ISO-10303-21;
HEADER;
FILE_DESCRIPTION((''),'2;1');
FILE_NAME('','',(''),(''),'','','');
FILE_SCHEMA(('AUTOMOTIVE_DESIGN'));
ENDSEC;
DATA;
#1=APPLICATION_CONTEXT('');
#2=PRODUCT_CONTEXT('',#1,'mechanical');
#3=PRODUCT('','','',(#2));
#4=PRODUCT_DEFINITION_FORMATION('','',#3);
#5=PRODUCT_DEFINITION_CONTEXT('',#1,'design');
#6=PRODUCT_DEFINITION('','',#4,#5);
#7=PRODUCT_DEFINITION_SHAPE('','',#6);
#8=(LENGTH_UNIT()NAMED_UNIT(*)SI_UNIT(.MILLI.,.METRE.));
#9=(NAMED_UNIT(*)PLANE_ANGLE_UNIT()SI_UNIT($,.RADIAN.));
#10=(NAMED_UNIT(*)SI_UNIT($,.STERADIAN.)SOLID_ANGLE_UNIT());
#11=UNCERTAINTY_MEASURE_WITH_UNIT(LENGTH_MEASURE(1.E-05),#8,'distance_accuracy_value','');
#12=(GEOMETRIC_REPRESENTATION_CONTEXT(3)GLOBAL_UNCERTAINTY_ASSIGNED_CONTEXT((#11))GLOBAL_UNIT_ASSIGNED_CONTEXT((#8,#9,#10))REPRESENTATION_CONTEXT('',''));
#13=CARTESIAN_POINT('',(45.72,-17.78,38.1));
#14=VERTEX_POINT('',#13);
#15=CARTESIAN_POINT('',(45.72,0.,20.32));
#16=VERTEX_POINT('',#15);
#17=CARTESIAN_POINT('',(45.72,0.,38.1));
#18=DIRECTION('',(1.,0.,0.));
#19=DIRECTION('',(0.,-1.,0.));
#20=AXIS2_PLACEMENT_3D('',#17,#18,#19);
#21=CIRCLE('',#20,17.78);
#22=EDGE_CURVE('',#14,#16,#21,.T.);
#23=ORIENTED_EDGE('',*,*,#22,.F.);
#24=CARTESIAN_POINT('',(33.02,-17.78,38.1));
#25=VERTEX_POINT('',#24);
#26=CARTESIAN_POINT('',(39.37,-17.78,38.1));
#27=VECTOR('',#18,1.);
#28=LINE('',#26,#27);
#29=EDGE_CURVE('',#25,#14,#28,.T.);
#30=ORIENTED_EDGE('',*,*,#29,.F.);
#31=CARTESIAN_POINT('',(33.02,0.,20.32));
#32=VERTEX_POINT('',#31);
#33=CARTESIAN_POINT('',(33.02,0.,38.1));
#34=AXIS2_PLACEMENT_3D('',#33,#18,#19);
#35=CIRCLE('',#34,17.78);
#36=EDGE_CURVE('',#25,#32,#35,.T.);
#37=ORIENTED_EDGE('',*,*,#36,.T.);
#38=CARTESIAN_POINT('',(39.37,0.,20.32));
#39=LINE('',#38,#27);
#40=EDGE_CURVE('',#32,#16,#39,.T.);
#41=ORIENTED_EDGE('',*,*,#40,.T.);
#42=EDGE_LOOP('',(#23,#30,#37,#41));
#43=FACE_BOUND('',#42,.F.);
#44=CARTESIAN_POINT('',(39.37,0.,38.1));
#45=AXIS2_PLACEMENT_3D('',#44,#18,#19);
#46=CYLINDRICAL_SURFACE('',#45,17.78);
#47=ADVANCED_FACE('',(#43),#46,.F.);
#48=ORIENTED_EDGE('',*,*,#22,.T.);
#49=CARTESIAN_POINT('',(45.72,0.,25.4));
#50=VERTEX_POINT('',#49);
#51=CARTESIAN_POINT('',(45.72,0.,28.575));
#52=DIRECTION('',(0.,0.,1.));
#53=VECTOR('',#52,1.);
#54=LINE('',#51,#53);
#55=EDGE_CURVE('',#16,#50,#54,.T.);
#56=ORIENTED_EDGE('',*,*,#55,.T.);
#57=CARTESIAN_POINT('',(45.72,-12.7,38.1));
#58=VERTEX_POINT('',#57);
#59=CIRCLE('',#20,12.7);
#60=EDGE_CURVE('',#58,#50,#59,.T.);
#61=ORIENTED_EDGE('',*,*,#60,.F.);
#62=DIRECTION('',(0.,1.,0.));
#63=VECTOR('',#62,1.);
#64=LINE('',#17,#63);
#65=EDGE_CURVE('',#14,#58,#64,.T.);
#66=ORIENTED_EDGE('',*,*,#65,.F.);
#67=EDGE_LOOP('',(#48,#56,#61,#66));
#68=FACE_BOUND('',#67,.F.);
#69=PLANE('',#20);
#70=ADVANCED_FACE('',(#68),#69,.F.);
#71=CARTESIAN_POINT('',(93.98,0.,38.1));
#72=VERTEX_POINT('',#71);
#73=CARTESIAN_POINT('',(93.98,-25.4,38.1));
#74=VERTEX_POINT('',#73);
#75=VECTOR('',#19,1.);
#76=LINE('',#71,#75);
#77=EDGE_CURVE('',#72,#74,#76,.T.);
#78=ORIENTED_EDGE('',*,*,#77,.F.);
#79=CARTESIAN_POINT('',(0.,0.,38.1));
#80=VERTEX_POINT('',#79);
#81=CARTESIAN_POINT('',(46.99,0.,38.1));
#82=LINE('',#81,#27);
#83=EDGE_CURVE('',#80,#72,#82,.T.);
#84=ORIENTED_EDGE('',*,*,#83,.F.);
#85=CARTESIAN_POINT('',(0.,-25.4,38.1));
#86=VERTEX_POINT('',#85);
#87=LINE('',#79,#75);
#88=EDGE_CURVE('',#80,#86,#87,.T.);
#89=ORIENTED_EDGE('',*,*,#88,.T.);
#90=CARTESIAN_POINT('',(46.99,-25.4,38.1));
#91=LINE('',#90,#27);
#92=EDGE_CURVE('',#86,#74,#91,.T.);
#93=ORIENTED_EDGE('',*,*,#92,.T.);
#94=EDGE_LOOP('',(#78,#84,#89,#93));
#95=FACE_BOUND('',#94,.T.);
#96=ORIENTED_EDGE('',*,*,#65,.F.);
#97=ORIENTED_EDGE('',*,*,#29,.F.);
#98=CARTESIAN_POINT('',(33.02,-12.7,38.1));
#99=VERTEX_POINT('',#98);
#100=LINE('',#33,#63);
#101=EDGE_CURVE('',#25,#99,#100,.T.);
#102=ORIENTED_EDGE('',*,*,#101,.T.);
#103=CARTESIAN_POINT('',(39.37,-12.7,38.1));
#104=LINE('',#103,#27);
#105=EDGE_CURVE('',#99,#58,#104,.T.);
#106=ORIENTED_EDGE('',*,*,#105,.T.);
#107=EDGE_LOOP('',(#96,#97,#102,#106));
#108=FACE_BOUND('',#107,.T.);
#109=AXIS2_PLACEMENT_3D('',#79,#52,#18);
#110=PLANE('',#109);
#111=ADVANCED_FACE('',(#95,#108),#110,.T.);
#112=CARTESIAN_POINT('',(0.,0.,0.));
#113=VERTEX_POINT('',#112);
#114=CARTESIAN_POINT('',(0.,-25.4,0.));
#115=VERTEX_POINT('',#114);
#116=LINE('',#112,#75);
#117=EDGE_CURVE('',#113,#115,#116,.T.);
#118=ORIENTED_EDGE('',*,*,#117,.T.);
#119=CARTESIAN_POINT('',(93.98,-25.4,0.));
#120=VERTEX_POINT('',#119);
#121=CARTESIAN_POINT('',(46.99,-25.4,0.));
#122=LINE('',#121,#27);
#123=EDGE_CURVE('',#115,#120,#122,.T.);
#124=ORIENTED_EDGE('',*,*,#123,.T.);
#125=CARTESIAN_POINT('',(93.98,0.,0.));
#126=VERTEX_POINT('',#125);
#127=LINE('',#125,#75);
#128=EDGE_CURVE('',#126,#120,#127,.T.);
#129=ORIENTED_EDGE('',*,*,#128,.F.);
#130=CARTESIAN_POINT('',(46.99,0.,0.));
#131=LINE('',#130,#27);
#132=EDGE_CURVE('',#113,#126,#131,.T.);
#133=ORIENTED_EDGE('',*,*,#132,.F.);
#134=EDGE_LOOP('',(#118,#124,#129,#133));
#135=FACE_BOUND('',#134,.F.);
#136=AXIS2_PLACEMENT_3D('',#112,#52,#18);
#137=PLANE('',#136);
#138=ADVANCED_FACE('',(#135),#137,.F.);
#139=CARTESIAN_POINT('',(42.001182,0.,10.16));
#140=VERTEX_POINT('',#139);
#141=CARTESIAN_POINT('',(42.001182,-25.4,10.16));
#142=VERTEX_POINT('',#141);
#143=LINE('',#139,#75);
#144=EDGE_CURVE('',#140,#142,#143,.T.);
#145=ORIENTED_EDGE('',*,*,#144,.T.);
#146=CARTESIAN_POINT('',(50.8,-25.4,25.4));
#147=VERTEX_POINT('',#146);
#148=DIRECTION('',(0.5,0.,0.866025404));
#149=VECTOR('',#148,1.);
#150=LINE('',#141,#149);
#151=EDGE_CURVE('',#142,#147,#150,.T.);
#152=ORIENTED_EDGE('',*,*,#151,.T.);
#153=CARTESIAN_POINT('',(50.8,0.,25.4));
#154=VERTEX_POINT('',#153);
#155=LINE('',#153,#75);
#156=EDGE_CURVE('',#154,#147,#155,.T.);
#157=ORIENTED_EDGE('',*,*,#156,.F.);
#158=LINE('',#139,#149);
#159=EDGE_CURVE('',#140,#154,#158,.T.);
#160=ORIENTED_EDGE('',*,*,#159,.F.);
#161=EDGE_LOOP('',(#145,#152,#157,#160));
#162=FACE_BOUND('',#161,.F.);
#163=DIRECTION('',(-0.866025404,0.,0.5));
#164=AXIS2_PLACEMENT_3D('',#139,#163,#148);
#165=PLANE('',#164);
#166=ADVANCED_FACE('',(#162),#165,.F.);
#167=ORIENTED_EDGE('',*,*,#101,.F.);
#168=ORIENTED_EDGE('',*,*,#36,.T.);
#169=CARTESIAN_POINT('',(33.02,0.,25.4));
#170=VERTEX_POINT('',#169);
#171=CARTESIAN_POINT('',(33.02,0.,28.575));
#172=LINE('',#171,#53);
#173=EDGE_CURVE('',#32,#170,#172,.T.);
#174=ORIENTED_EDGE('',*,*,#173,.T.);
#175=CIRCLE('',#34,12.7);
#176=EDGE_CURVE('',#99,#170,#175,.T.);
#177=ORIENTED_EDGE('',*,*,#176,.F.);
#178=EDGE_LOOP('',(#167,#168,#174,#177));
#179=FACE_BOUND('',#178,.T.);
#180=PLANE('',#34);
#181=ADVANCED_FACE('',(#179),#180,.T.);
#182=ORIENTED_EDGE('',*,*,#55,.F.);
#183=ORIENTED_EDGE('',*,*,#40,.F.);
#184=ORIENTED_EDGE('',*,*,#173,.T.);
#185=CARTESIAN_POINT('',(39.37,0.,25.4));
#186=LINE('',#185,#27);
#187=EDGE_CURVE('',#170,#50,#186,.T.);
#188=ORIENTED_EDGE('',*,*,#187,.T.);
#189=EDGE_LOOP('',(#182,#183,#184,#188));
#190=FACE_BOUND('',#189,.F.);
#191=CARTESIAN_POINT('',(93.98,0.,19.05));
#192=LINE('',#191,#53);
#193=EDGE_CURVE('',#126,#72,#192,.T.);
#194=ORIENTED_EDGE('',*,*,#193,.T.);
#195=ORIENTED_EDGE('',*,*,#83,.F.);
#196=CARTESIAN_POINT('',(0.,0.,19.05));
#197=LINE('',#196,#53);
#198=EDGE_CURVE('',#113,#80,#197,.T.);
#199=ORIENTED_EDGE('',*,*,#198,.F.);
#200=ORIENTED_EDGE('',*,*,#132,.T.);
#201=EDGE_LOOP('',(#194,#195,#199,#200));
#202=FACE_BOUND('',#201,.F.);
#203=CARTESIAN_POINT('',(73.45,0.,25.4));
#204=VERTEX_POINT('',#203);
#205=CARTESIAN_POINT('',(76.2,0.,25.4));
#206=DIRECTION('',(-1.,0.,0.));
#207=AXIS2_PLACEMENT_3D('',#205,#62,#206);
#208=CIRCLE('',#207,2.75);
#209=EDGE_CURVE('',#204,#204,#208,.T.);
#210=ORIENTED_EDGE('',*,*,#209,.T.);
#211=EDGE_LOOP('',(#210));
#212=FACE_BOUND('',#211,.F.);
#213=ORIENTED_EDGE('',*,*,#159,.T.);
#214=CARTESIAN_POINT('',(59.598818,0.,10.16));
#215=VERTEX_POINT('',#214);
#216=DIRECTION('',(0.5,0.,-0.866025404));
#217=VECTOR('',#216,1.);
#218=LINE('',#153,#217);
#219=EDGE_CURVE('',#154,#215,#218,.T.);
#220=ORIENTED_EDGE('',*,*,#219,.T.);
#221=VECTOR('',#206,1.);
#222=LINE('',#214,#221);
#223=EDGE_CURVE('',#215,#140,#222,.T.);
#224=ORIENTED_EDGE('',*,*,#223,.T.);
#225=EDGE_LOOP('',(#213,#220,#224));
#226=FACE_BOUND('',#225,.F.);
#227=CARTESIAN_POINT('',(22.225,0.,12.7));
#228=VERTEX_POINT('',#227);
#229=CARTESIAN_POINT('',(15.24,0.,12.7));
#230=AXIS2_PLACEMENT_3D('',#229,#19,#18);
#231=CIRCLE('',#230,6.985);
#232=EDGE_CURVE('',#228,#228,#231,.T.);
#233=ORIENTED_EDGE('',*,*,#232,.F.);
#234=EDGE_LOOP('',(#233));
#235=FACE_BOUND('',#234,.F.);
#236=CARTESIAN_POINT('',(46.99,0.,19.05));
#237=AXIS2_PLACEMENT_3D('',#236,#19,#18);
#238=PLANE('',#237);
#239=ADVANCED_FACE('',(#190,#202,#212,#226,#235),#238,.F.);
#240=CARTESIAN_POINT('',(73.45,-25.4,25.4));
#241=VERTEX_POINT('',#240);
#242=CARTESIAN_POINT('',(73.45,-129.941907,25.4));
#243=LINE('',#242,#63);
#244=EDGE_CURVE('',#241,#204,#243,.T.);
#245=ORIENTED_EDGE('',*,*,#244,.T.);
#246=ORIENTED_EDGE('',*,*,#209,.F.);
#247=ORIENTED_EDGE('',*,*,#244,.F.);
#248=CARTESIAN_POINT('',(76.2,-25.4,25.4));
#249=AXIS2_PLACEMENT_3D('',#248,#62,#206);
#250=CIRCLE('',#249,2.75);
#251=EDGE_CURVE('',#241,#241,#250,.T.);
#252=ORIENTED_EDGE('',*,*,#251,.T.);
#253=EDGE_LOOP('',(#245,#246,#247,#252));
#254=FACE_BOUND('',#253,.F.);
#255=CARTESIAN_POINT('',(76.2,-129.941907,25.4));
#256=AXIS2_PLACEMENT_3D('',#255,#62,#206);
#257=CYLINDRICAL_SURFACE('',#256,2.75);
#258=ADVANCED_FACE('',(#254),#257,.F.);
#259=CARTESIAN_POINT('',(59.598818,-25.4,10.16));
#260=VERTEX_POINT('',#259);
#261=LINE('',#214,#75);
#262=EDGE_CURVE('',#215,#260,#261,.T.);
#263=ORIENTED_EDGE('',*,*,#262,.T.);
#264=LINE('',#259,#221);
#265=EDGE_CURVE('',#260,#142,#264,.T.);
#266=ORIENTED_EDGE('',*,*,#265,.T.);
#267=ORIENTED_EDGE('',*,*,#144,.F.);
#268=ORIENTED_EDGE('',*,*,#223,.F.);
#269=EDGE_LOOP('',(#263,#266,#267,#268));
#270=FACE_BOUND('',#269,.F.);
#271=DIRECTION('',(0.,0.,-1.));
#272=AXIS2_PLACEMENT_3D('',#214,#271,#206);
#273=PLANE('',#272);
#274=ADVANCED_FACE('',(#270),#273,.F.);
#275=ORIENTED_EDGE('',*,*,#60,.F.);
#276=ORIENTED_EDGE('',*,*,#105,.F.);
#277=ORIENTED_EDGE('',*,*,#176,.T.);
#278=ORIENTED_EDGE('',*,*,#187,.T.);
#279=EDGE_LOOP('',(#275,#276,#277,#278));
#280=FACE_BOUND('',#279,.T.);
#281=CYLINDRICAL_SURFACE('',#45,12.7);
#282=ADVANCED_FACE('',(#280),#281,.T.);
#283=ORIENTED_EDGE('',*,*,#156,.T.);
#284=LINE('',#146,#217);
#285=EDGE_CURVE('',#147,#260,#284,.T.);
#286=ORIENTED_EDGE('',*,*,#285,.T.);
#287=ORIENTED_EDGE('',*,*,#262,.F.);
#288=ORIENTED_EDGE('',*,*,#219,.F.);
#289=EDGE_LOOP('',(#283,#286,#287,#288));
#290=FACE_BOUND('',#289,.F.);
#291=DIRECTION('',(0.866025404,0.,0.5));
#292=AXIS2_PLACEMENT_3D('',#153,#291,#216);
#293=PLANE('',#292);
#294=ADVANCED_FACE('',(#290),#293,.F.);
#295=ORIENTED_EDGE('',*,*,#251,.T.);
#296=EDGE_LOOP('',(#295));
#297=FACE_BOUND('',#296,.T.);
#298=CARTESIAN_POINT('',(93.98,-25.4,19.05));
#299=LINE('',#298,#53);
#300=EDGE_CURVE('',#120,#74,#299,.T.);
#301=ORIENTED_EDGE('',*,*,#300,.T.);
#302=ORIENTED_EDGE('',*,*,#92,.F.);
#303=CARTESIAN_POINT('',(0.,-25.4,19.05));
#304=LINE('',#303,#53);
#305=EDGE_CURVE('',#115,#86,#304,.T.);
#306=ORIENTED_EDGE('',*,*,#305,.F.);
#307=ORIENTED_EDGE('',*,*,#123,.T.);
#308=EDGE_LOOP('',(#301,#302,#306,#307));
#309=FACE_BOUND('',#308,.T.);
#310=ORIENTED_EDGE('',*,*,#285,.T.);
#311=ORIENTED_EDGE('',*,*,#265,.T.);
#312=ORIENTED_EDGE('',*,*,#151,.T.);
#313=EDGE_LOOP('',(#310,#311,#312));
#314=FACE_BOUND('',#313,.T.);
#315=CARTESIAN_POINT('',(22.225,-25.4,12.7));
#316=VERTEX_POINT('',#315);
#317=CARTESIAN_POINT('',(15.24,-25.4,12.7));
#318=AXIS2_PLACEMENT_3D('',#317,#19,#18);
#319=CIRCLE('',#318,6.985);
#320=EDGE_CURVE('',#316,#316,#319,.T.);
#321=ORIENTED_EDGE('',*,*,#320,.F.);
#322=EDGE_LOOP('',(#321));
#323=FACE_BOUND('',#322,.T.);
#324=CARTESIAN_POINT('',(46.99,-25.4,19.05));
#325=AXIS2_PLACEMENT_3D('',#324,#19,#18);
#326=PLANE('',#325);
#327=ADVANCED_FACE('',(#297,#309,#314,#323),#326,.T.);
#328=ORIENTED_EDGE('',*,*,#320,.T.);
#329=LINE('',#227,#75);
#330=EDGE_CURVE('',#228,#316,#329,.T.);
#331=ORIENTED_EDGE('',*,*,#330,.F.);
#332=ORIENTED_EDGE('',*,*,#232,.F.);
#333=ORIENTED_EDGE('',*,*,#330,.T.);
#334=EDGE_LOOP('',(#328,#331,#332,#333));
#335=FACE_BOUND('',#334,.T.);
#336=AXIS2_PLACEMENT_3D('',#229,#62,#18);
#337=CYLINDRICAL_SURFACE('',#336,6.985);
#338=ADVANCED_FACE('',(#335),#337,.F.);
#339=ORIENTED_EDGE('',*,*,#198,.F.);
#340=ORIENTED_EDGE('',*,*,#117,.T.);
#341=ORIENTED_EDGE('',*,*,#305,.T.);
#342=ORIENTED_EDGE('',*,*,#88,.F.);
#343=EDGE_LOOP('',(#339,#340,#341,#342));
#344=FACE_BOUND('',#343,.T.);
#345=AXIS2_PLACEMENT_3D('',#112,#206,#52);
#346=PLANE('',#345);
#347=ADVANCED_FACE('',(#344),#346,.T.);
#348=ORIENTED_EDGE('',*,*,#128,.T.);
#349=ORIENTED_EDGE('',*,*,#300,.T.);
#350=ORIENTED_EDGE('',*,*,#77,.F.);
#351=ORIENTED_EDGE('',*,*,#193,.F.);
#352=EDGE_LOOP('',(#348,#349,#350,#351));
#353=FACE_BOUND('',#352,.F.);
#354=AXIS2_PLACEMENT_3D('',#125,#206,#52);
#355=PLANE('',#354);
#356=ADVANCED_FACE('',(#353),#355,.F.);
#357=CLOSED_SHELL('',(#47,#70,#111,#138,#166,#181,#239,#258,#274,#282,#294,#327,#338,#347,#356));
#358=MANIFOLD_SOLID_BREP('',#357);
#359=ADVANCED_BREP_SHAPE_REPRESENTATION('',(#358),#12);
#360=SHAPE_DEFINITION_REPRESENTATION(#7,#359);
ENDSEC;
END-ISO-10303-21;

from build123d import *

# Parameters (mm, degrees)
F0_W     = 93.98
F0_H     = 38.1
F0_R     = 6.985
F1_DEPTH = 25.4
F3_D     = 5.5
F4_W     = 12.7
F4_H     = 5.08


with BuildPart() as f1:
    # F0 (on Front) → F1 (new body)
    with BuildSketch(Plane.XZ):
        with Locations((46.99, 19.05)):
            Rectangle(F0_W, F0_H)
        with Locations((15.24, 12.7)):
            Circle(F0_R, mode=Mode.SUBTRACT)
        Polygon((42.0011818976, 10.16), (50.8, 25.4), (59.5988181024, 10.16), align=None, mode=Mode.SUBTRACT)
    extrude(amount=F1_DEPTH)

    # F3 (through all)
    with Locations(Plane.XZ.offset(25.4)):
        with Locations((76.2, 25.4)):
            Hole(F3_D / 2)

    # F4 (on face) → F5 (revolve, cut)
    with BuildSketch(Plane.XY.offset(38.1)):
        with Locations((39.37, -15.24)):
            Rectangle(F4_W, F4_H)
    revolve(axis=Axis((46.99, 0, 38.1), (1, 0, 0)), mode=Mode.SUBTRACT)


solid = f1.part
